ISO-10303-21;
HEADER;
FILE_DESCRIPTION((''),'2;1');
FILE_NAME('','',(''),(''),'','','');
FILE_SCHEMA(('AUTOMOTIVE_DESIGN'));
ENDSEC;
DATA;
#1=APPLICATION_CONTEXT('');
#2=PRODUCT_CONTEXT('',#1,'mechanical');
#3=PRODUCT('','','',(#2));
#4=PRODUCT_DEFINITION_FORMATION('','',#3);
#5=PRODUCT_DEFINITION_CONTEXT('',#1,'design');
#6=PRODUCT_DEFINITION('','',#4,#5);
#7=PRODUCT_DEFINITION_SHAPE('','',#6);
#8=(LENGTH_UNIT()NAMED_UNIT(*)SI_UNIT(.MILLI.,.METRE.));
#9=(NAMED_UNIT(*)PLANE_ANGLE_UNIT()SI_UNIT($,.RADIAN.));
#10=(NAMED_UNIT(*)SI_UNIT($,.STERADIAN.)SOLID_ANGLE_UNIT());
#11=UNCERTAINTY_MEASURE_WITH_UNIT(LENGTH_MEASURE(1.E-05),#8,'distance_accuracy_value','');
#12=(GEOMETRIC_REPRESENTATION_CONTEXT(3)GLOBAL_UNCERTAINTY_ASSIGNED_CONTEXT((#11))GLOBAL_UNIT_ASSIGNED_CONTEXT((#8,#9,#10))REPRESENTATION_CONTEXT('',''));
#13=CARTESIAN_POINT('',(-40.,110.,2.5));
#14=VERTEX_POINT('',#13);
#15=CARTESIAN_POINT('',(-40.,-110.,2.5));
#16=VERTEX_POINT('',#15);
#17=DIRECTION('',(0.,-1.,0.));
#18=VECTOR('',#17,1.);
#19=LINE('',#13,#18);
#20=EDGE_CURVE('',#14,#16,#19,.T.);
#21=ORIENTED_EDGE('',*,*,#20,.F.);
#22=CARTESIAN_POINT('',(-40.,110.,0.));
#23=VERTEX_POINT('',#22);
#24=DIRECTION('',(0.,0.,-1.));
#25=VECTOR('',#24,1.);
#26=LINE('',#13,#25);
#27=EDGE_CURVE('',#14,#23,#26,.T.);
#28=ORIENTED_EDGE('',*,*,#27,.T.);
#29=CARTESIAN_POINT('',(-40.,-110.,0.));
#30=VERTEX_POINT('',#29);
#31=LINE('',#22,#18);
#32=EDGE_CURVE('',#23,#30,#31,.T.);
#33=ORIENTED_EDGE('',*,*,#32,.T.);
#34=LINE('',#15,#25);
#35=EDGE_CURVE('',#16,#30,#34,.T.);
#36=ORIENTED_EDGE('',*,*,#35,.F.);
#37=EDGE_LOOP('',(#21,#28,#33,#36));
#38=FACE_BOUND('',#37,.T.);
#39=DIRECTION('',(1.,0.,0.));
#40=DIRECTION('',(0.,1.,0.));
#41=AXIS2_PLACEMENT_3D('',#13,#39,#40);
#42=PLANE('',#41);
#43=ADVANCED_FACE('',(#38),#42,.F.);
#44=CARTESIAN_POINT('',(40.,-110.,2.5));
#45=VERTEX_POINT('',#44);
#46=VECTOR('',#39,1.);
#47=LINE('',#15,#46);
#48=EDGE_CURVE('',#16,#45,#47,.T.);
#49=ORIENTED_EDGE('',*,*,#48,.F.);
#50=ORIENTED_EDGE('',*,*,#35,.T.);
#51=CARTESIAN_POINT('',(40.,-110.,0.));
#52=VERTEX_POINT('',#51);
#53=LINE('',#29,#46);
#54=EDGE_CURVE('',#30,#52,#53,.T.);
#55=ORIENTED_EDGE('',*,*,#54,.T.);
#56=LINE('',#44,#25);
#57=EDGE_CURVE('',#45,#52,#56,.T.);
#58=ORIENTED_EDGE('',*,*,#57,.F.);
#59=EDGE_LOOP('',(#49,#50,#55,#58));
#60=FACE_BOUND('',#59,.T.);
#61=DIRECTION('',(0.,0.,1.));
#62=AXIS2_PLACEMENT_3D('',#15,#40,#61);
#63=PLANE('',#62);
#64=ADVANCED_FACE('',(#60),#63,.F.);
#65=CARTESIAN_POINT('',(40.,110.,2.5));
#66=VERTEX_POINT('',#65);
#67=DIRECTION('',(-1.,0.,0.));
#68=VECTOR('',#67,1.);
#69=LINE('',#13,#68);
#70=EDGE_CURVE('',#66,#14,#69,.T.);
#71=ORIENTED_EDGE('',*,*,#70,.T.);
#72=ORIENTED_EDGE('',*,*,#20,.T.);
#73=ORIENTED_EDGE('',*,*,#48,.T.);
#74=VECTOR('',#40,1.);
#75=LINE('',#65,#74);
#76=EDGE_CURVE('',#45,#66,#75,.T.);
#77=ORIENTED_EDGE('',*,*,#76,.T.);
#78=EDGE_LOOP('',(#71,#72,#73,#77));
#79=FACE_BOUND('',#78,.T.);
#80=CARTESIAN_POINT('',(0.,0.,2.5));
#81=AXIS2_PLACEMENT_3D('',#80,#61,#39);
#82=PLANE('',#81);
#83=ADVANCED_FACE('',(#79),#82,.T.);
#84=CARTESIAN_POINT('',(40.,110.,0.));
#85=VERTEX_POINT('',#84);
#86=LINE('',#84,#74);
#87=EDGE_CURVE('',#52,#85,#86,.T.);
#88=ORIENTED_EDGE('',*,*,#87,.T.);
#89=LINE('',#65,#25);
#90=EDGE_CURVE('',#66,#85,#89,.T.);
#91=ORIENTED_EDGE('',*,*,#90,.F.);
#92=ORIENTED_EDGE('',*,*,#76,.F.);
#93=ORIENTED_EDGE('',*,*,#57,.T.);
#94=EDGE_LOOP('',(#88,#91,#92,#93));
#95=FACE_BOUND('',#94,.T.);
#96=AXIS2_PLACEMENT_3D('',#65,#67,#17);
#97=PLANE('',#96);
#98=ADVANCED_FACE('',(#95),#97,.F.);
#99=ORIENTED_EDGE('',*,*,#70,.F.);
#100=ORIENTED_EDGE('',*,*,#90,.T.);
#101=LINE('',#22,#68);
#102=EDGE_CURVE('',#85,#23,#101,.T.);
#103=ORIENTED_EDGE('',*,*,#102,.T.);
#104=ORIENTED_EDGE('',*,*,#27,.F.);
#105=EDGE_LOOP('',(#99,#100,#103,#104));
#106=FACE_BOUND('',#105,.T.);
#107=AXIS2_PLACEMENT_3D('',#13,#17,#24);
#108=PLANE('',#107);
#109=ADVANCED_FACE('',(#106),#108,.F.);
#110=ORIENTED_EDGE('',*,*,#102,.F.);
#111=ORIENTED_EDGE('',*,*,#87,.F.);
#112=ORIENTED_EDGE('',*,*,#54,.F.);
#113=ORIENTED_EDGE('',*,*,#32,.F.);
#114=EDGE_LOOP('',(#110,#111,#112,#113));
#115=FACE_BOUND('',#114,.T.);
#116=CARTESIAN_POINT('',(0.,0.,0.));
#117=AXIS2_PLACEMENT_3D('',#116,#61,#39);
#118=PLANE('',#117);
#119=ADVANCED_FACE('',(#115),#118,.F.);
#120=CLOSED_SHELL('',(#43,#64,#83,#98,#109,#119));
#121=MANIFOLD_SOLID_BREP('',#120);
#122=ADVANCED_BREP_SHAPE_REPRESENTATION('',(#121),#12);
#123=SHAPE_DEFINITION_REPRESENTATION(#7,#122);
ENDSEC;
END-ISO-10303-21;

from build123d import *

# Parameters (mm, degrees)
SKETCH_1_W      = 80
SKETCH_1_H      = 220
EXTRUDE_1_DEPTH = 2.5


with BuildPart() as part:
    # 草图1 → 凸台-拉伸1 (new body)
    with BuildSketch(Plane.XY):
        Rectangle(SKETCH_1_W, SKETCH_1_H)
    extrude(amount=EXTRUDE_1_DEPTH)


solid = part.part
